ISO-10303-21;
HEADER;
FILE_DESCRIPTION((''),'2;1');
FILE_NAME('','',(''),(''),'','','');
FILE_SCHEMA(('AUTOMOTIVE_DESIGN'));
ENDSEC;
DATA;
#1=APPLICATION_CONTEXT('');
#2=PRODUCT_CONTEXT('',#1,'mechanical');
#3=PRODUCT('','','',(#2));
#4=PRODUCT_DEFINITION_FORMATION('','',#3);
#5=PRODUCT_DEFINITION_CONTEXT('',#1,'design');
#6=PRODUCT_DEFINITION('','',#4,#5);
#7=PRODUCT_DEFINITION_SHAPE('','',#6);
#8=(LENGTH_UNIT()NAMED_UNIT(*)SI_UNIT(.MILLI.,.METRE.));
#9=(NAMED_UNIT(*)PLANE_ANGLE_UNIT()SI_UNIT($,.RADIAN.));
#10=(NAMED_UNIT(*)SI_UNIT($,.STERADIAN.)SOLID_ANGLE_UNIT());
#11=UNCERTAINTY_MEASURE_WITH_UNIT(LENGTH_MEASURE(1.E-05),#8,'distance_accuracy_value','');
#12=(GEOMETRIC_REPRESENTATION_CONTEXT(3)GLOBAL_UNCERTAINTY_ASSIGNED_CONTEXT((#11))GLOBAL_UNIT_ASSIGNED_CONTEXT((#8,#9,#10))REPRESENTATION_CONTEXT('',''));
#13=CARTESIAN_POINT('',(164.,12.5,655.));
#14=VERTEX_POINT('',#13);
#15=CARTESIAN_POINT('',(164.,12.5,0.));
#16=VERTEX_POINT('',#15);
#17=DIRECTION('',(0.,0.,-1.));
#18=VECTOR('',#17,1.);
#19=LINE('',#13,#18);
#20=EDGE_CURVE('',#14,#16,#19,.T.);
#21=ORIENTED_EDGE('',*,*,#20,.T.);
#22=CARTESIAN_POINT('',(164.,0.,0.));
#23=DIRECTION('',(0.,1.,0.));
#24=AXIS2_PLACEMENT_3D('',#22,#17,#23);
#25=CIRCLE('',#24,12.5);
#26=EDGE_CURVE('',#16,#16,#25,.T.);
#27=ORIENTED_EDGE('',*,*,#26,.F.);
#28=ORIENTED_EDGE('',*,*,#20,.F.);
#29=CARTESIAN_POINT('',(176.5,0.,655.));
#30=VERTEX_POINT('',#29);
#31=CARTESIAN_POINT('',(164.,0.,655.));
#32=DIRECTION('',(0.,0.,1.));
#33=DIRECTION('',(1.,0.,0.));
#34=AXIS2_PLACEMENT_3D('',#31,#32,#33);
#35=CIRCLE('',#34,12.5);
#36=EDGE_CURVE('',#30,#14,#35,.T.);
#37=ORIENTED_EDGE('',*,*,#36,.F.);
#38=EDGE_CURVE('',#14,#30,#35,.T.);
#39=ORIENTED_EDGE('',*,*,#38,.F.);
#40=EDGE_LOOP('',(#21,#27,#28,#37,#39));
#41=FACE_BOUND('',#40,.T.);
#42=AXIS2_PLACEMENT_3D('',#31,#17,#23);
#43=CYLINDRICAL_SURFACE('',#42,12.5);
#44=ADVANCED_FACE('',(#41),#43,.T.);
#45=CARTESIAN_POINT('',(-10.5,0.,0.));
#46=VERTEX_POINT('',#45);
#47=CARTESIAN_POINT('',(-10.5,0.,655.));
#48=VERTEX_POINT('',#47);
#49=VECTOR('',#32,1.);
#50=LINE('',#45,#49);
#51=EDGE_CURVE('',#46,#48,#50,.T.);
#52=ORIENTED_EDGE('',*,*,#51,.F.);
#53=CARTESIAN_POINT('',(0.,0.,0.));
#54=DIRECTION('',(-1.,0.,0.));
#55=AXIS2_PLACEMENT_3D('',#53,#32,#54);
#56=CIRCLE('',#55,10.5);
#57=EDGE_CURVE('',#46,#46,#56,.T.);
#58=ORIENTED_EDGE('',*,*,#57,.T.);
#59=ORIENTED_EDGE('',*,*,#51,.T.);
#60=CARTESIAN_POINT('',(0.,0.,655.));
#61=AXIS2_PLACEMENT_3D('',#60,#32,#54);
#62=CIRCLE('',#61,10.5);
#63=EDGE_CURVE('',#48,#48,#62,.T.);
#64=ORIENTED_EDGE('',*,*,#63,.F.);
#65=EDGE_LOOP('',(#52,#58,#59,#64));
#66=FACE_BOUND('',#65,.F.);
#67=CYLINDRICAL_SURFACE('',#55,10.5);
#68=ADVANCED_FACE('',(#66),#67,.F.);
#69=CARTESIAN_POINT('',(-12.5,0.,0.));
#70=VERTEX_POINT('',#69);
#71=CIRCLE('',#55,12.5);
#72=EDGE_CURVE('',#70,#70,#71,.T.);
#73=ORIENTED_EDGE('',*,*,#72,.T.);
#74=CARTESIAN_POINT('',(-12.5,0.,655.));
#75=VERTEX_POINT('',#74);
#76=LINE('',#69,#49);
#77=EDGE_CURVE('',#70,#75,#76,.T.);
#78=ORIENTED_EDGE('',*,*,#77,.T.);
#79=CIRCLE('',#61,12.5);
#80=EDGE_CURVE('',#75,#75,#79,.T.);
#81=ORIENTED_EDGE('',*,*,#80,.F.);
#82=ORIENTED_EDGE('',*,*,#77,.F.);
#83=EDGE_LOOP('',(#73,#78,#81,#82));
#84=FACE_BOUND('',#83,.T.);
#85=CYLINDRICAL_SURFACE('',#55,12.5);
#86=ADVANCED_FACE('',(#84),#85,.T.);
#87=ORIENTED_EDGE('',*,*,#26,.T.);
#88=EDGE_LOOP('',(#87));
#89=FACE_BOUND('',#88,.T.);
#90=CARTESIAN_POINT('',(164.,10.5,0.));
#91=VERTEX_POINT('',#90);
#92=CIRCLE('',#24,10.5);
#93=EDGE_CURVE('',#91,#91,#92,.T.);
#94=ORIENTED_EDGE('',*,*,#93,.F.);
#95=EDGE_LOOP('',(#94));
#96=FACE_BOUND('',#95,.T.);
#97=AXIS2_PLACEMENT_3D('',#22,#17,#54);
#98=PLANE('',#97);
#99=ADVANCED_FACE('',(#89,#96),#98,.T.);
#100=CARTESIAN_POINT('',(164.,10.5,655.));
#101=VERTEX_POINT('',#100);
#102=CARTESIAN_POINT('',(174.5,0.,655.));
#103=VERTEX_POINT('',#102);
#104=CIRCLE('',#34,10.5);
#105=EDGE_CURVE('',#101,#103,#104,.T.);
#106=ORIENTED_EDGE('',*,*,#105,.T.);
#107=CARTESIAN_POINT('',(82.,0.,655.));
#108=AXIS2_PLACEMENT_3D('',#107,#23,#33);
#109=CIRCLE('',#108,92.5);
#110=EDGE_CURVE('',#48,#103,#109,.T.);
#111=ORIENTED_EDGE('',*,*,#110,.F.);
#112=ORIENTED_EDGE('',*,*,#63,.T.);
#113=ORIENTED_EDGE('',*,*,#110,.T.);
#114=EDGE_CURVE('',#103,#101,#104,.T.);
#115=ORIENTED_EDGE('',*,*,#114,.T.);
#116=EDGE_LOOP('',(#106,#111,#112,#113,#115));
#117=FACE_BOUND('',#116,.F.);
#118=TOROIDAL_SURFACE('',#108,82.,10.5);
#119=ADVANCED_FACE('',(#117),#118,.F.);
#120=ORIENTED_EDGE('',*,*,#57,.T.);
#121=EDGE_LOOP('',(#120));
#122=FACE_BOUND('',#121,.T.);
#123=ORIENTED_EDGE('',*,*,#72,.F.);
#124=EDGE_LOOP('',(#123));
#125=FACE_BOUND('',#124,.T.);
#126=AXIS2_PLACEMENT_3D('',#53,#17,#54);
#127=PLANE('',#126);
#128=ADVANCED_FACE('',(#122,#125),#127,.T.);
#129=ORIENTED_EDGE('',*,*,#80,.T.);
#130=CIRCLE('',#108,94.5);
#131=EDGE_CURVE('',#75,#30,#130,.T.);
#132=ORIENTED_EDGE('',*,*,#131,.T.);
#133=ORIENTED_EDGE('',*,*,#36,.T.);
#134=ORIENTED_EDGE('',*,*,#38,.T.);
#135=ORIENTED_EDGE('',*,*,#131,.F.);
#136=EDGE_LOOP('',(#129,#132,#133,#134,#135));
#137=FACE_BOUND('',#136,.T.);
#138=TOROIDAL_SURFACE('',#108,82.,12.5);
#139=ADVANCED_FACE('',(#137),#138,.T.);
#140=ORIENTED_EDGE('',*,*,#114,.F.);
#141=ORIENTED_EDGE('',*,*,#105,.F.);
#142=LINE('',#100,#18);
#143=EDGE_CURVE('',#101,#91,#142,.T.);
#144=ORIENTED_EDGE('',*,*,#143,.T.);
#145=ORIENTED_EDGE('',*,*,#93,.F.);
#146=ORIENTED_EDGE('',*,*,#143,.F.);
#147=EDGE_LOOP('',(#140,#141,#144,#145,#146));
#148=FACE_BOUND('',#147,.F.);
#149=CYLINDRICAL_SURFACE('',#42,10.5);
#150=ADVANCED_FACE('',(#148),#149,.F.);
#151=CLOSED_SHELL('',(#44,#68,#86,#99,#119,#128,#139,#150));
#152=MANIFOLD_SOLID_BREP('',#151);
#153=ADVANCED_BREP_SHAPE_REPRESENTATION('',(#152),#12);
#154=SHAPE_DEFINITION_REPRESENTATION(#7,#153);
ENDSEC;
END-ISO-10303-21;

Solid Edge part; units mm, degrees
sketch "Sketch1" plane through (0, 0, 0) normal (0, -1, 0) x (1, 0, 0)
  line L0 (0, 0) -> (0, 655)
  dimension "D1" = 164
  dimension "D2" = 655
sketch "Sketch2" plane through (0, 0, 0) normal (0, 0, -1) x (-1, 0, 0)
  circle A0 centre (0, 0) radius 12.5
  dimension "D1" = 25
sweep "SweptProtrusion_8" add profiles "Sketch2" path "Sketch1"
sketch "Sketch3" plane through (0, 0, 0) normal (0, -1, 0) x (1, 0, 0)
  arc A0 (0, 655) -> (164, 655) centre (82, 655) cw
sketch "Sketch4" plane through (0, 0, 655) normal (0, 0, 1) x (-1, 0, 0)
  circle A0 centre (0, 0) radius 12.5
  dimension "D1" = 25
sweep "SweptProtrusion_10" add profiles "Sketch4" path "Sketch3"
sketch "Sketch5" plane through (0, 0, 0) normal (0, -1, 0) x (1, 0, 0)
  line L0 (164, 655) -> (164, 0)
  dimension "D1" = 164
  dimension "D2" = 655
sketch "Sketch6" plane through (100, 0, 655) normal (0, 0, -1) x (0, 1, 0)
  circle A0 centre (0, 64) radius 12.5
sweep "SweptProtrusion_11" add profiles "Sketch6" path "Sketch5"
shell "Thinwall_2" thickness 2 removed faces 4 at (8.5833, -8.0833, 0) at (172.5833, -8.0833, 0) at (8.5833, -8.0833, 0) at (172.5833, -8.0833, 0)
properties material "Stainless steel"
